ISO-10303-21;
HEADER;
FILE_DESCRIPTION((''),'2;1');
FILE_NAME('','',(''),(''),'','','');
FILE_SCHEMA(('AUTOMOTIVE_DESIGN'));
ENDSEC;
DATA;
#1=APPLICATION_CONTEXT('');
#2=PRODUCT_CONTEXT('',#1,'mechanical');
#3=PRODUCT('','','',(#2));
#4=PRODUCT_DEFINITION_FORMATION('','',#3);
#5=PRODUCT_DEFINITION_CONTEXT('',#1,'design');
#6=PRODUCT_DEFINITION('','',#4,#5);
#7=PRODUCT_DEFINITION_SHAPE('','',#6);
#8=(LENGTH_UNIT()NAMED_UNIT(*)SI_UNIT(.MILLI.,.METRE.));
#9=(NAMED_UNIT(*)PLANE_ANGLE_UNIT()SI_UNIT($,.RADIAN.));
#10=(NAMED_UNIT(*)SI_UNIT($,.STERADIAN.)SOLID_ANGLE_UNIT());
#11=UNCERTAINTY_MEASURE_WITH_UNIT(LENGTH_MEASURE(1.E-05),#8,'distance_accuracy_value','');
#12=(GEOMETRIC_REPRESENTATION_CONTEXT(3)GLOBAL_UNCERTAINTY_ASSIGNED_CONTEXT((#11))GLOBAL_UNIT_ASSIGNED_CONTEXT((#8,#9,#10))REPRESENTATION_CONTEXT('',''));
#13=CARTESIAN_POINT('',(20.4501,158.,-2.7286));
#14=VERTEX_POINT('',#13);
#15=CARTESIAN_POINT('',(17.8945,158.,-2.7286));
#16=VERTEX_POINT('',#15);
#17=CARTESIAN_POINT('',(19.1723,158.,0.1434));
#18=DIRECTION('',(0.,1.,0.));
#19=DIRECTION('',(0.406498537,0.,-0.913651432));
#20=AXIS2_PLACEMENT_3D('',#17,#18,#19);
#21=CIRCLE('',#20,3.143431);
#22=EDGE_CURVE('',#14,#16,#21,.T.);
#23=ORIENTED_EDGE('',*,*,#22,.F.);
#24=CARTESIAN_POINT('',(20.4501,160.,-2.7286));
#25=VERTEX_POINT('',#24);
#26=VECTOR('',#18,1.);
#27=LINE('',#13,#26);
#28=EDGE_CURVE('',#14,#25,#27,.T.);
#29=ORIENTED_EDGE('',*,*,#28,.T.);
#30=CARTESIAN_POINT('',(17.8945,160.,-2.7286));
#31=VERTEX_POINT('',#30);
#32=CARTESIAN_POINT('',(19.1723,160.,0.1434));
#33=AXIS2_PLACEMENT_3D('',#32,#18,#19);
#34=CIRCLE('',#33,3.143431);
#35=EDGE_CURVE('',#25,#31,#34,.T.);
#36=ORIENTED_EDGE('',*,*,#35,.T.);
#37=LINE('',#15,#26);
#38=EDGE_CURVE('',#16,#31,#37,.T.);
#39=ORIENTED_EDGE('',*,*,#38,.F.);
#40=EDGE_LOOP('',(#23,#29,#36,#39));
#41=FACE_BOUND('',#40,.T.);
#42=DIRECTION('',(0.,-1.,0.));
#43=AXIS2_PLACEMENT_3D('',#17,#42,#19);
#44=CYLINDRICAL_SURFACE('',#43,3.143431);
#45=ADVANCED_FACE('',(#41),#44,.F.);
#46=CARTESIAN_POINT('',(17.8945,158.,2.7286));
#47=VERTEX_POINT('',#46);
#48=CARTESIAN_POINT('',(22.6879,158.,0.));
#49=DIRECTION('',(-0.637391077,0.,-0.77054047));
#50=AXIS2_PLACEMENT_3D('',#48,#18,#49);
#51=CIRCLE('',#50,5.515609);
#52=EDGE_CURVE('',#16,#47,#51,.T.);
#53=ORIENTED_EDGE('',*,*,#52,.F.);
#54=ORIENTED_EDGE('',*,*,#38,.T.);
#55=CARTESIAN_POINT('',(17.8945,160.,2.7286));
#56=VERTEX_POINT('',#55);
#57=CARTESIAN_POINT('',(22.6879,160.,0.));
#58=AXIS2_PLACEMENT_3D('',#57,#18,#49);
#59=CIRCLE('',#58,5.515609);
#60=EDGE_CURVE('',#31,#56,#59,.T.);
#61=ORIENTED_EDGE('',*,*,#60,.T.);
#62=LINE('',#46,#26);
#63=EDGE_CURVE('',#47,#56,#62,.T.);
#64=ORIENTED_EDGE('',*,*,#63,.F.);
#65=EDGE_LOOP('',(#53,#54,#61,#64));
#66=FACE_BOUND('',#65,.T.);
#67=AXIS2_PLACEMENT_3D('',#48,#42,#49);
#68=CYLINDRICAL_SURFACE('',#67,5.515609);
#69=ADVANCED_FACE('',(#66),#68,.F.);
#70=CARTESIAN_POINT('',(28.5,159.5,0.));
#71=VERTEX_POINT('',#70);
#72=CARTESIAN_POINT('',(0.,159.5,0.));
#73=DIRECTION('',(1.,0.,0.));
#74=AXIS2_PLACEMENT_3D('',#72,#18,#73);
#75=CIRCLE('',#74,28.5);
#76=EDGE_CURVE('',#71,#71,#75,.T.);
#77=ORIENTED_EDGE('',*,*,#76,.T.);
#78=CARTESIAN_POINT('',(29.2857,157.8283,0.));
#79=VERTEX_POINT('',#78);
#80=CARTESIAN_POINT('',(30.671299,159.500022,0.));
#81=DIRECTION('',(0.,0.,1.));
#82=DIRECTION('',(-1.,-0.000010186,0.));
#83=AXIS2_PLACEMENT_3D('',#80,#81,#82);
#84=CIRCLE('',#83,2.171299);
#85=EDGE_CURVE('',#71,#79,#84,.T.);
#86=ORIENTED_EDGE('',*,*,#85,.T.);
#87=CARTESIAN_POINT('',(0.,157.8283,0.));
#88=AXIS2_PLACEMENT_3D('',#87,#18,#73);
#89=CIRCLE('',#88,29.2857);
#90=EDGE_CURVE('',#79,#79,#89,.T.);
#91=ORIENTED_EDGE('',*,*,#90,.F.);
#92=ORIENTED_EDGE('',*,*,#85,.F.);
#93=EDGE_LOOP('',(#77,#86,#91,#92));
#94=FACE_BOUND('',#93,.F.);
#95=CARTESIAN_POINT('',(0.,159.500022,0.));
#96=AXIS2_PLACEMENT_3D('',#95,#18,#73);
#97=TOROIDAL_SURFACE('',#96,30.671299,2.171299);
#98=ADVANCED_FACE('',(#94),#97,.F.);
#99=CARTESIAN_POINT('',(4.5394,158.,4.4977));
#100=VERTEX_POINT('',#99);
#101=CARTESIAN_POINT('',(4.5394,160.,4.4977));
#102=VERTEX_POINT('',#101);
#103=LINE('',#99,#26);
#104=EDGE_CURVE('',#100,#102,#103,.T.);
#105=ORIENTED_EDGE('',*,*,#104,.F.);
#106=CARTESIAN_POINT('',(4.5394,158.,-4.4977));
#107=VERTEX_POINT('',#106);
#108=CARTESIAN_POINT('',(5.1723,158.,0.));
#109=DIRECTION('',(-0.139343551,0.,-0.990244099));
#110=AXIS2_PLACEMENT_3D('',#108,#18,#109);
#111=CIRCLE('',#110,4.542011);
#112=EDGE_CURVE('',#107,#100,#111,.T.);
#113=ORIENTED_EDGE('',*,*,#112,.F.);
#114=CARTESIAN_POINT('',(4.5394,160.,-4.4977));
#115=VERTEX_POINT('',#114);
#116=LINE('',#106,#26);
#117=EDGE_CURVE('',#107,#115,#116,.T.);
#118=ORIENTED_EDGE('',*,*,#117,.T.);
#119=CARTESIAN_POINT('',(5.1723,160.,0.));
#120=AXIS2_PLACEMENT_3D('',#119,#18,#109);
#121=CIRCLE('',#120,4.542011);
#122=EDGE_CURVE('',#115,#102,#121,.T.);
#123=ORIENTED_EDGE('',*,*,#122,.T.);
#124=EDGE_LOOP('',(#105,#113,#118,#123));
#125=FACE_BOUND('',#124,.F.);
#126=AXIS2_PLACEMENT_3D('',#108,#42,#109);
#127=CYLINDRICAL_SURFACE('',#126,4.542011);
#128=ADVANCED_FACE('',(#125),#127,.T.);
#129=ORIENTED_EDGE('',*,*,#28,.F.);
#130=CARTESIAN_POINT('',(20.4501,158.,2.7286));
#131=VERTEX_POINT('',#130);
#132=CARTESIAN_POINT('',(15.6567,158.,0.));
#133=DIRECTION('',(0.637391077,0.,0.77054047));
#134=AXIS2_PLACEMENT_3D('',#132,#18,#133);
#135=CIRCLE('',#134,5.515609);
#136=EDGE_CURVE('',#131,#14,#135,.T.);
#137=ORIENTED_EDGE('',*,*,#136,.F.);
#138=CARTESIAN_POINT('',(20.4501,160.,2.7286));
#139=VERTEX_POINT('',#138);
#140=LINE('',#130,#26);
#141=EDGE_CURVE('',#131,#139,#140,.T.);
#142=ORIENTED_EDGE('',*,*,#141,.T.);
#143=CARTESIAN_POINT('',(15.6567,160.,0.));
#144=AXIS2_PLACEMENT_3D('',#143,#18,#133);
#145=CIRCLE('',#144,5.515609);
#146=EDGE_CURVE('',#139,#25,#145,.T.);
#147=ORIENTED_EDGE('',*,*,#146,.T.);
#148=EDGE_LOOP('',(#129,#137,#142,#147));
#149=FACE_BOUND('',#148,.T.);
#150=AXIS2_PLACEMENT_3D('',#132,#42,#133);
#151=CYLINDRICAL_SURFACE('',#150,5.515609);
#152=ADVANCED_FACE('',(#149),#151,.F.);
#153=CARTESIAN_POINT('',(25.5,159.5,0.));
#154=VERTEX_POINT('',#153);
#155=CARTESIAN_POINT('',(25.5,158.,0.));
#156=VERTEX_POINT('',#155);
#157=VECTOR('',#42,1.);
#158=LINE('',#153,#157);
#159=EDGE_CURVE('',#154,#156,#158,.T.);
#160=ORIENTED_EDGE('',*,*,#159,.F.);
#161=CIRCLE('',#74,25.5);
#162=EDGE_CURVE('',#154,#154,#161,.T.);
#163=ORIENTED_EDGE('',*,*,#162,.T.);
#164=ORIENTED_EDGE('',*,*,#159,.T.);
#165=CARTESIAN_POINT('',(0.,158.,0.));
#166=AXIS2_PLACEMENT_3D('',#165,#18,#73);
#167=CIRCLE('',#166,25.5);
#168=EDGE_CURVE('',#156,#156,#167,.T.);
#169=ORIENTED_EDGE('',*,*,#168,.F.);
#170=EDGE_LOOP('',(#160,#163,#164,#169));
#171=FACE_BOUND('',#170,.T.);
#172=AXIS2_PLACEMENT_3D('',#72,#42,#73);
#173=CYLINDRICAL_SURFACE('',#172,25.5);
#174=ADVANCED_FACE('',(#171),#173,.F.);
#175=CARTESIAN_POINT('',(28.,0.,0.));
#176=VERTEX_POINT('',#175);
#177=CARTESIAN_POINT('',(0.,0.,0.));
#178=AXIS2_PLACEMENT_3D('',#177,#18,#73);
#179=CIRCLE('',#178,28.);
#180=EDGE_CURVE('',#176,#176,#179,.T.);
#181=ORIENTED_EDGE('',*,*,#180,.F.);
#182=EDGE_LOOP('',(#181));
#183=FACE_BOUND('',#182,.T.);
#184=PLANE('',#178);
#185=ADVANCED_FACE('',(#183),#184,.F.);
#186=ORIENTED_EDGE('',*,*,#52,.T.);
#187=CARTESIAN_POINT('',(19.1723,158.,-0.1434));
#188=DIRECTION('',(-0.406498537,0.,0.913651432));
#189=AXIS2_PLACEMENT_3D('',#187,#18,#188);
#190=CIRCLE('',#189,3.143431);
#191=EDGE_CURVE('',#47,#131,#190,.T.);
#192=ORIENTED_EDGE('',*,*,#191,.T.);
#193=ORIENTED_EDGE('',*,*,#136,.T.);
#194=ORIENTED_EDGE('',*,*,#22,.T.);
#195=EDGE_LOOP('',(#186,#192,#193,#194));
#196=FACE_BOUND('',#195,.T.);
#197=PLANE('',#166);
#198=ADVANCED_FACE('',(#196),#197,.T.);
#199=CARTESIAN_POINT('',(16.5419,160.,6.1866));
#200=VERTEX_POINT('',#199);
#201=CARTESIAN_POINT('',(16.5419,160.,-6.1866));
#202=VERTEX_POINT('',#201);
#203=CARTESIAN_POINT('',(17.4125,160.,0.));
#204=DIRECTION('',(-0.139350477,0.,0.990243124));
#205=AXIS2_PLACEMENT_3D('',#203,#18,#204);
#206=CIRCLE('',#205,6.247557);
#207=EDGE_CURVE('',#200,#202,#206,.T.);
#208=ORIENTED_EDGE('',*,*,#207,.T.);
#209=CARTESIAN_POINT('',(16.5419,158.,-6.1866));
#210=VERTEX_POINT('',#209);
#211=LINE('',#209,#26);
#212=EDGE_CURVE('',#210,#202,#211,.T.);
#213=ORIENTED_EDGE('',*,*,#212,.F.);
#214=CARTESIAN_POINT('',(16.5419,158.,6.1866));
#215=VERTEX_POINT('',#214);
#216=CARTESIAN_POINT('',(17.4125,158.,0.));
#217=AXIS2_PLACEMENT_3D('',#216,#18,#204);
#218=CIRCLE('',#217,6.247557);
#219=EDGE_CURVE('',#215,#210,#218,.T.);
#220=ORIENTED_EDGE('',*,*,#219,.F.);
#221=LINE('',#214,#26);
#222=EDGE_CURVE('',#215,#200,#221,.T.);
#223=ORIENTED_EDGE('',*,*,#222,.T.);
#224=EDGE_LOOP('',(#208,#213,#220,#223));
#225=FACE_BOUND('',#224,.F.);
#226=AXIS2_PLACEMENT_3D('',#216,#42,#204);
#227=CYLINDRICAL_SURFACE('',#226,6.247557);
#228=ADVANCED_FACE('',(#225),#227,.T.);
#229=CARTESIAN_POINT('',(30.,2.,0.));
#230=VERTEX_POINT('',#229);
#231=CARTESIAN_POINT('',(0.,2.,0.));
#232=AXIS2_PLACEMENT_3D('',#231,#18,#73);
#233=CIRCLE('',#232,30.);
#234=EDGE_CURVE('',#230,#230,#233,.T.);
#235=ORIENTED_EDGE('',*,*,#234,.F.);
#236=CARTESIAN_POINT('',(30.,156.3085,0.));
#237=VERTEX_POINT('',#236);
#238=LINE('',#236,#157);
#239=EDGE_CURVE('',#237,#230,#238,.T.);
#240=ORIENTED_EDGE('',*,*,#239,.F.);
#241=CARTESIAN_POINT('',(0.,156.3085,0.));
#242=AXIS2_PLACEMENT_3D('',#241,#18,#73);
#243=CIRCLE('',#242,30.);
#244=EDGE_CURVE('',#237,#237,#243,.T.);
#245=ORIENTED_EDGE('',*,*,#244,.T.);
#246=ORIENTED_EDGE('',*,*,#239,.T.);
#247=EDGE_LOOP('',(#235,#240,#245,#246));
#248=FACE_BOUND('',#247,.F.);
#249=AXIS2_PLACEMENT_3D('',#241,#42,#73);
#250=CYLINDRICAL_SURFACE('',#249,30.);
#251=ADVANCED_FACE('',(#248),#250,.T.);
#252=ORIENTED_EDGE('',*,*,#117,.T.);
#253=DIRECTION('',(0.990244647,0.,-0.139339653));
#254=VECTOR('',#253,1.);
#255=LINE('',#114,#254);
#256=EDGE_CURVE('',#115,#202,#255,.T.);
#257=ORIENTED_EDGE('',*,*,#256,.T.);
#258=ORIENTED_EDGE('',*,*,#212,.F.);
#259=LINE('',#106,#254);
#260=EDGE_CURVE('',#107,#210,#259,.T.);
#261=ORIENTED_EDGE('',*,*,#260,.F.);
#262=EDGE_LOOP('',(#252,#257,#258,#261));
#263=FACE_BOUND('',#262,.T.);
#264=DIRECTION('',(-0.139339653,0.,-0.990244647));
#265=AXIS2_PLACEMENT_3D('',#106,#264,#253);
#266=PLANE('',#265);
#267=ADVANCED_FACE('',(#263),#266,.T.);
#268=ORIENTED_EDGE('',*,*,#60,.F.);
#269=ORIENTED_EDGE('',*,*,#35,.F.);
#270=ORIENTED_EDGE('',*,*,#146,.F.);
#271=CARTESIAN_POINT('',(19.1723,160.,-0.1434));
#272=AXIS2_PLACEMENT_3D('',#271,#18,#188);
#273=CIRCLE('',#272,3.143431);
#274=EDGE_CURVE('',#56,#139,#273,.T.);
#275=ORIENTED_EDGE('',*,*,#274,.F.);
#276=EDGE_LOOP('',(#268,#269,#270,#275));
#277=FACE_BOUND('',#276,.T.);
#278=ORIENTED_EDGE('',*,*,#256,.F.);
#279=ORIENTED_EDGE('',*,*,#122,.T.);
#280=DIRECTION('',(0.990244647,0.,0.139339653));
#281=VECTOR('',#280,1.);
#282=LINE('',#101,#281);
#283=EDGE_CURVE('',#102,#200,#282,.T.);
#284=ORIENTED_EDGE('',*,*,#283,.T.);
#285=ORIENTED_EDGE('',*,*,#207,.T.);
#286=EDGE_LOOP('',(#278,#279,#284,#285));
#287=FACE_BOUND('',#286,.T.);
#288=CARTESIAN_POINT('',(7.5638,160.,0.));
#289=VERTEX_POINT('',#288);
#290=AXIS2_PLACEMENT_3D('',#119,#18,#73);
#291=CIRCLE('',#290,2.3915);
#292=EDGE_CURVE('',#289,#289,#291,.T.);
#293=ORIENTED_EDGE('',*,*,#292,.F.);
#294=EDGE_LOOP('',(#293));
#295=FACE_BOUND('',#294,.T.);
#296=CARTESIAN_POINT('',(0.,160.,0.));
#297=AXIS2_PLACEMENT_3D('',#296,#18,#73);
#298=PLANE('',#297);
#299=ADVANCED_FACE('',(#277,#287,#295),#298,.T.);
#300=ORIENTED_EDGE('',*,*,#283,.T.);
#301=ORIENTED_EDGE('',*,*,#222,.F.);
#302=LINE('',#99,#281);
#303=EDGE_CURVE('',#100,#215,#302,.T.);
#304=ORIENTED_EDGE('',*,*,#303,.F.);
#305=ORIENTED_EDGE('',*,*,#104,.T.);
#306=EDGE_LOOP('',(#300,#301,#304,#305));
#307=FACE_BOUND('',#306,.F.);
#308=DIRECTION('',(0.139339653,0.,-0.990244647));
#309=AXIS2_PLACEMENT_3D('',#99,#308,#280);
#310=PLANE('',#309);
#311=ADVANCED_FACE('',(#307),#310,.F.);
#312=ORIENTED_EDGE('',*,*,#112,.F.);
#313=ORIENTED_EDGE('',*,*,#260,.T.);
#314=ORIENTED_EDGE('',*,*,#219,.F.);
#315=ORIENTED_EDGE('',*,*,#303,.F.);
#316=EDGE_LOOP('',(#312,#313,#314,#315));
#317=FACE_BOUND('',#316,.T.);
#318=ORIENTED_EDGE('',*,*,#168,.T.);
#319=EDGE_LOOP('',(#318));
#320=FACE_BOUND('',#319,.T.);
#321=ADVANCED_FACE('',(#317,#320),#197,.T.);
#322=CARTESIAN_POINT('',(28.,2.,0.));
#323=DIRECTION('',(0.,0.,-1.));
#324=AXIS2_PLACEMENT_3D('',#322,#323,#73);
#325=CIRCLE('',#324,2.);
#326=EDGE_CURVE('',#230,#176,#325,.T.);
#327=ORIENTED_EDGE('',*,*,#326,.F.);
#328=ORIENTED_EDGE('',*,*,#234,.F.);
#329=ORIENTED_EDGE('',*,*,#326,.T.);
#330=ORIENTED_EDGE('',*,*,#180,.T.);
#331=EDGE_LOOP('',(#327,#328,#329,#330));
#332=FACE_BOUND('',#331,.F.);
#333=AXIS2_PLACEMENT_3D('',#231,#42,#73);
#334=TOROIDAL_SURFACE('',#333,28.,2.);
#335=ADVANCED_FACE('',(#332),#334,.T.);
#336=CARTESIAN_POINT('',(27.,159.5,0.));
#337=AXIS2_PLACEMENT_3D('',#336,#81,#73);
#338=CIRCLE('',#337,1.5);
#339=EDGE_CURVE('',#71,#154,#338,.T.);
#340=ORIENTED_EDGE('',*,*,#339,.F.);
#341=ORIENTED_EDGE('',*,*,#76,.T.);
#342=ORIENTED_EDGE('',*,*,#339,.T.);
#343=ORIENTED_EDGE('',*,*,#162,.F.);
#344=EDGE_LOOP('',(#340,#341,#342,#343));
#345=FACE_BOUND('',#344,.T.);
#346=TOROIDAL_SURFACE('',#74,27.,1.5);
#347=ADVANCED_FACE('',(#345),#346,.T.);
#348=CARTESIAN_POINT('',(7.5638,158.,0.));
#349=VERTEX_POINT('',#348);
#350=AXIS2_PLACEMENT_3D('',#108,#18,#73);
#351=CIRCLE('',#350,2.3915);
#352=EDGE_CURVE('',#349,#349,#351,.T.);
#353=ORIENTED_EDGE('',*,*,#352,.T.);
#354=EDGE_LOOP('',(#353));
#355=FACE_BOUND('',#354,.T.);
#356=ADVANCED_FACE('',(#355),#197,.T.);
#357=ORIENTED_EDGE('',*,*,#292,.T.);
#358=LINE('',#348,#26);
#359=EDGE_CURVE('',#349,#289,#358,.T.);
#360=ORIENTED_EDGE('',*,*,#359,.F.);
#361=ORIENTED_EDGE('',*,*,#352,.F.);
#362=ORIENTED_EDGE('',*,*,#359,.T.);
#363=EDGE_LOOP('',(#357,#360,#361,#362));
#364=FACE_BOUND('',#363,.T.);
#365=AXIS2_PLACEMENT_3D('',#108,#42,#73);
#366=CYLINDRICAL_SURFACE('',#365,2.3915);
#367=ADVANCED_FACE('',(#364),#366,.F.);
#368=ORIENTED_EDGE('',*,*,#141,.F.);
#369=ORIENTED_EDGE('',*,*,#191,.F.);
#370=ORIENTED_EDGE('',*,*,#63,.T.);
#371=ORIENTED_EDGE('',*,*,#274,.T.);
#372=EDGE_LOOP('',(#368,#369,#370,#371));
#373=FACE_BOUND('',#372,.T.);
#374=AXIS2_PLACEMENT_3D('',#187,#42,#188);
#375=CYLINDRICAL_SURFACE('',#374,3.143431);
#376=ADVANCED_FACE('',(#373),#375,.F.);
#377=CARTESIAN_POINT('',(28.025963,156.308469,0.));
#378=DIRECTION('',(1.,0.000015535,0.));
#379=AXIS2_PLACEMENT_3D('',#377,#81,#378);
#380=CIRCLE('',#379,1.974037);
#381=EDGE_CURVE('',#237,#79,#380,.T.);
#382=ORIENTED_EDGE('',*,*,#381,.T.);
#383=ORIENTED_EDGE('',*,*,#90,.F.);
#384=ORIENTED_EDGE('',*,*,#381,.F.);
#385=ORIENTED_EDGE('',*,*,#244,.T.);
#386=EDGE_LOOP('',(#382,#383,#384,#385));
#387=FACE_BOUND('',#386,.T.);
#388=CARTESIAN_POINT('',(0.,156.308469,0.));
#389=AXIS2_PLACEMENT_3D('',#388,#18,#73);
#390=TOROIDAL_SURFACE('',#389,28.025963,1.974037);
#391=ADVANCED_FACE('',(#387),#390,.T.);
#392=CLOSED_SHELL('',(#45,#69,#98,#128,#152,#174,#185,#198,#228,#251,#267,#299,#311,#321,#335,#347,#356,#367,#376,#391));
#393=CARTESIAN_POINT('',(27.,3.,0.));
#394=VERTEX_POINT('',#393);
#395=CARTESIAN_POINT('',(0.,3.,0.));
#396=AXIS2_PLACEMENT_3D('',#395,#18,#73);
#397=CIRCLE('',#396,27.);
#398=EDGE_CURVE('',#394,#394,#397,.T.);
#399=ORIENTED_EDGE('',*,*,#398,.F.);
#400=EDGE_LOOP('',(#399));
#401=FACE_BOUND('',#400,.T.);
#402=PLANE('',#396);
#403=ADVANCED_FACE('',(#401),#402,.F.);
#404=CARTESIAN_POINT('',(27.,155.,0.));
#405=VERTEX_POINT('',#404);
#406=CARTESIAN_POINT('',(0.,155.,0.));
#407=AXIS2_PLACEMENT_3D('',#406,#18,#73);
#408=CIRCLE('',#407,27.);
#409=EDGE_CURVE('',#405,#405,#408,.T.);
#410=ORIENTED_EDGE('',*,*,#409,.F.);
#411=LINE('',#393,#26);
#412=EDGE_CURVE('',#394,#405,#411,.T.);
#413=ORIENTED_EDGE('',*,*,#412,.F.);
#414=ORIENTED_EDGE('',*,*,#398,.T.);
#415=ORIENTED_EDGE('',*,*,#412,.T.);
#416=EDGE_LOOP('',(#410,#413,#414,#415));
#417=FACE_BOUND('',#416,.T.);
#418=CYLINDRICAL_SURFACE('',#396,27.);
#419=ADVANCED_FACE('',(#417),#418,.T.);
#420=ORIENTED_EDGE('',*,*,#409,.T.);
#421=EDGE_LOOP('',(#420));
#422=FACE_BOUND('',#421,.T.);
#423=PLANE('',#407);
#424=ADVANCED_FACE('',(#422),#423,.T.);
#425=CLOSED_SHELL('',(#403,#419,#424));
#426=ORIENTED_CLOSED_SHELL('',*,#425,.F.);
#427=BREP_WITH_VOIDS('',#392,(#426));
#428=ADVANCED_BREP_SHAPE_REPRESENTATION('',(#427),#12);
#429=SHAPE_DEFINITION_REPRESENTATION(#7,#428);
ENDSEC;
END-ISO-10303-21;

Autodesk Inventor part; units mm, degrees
ref_plane "YZ Plane" through (0, 0, 0) normal (1, 0, 0) x (0, 1, 0)
ref_plane "XZ Plane" through (0, 0, 0) normal (0, 1, 0) x (-1, 0, 0)
ref_plane "XY Plane" through (0, 0, 0) normal (0, 0, 1) x (1, 0, 0)
sketch "Sketch1" plane through (0, 0, 0) normal (0, 0, 1) x (1, 0, 0)
  line L0 (30, 158) -> (30, 0) construction
  line L1 (0, 0) -> (0, 155)
  line L2 (0, 0) -> (30, 0)
  line L3 (30, 0) -> (0, 0) construction
  line L4 (0, 0) -> (0, 3) construction
  line L5 (0, 3) -> (27, 3)
  line L6 (27, 3) -> (27, 155)
  line L7 (27, 155) -> (0, 155)
  line L8 (0, 155) -> (0, 158)
  line L9 (0, 158) -> (30, 158) construction
  line L10 (27, 158) -> (27, 161) construction
  arc A0 (28.5, 159.5) -> (25.5, 159.5) centre (27, 159.5) ccw
  line L11 (28.5, 159.5) -> (28.5, 158) construction
  line L12 (25.5, 159.5) -> (25.5, 158)
  line L13 (27, 155) -> (27, 158) construction
  arc A1 (28.5, 159.5) -> (29.2857, 157.8283) centre (30.6712, 159.5) ccw
  arc A2 (30, 156.3085) -> (29.2857, 157.8283) centre (28.0261, 156.3085) ccw
  line L14 (25.5, 158) -> (0, 158)
  line L15 (30, 156.3085) -> (30, 0)
  point P0 (30, 79)
  dimension "d0" = 60
  dimension "d1" = 158
  dimension "d2" = 3
  dimension "d3" = 27
  dimension "d4" = 3
  dimension "d5" = 3
  dimension "d6" = 1.5
revolve "Revolution1" add sketch "Sketch1" angle 360 about axis through (0, 0, 0) along (0, 1, 0) contours L1 L5 L6 L7 L8 L14 L12 A0 A1 A2 L15 L2
fillet "Fillet1" radius 2 1 edges at (-30, 0, 0)
sketch "Sketch2" plane through (0, 158, 0) normal (0, 1, 0) x (1, 0, 0)
  circle A0 centre (0, 0) radius 25.5 construction
  circle A1 centre (5.1723, 0) radius 4.542 construction
  circle A2 centre (17.4125, 0) radius 6.2476 construction
  line L0 (4.5394, -4.4977) -> (16.5419, -6.1866)
  line L1 (4.5394, 4.4977) -> (16.5419, 6.1866)
  arc A3 (4.5394, 4.4977) -> (4.5394, -4.4977) centre (5.1723, 0) ccw
  arc A4 (16.5419, -6.1866) -> (16.5419, 6.1866) centre (17.4125, 0) ccw
  circle A5 centre (5.1723, 0) radius 2.3915
  arc A6 (19.1723, 4.25) -> (19.1723, -4.25) centre (22.6879, 0) ccw
  arc A7 (19.1723, -4.25) -> (19.1723, 4.25) centre (15.6567, 0) ccw
  arc A8 (17.8945, -2.7286) -> (20.4501, -2.7286) centre (19.1723, 0.1434) ccw
  arc A9 (20.4501, 2.7286) -> (17.8945, 2.7286) centre (19.1723, -0.1434) ccw
  line L2 (17.8945, -2.7286) -> (17.8945, 2.7286) construction
  line L3 (20.4501, -2.7286) -> (20.4501, 2.7286) construction
  line L4 (17.4125, 0) -> (5.1723, 0) construction
  line L5 (17.1723, 0) -> (21.1723, 0) construction
  point P0 (20.4501, 0)
  point P1 (19.1723, 3)
  point P2 (19.1723, -3)
  dimension "d9" = 12.4952
  dimension "d10" = 9.084
  dimension "d11" = 17.4125
  dimension "d12" = 5.1723
  dimension "d13" = 12.2402
  dimension "d14" = 8.5
  dimension "d15" = 16
  dimension "d16" = 6
  dimension "d17" = 4
  dimension "d18" = 3.1434
  dimension "d19" = 4.783
extrude "Extrusion1" add sketch "Sketch2" along normal blind 2 contours A3 L1 A4 L0 | A7 A9 A6 | A8 A7 A6
properties part number "the cup"
